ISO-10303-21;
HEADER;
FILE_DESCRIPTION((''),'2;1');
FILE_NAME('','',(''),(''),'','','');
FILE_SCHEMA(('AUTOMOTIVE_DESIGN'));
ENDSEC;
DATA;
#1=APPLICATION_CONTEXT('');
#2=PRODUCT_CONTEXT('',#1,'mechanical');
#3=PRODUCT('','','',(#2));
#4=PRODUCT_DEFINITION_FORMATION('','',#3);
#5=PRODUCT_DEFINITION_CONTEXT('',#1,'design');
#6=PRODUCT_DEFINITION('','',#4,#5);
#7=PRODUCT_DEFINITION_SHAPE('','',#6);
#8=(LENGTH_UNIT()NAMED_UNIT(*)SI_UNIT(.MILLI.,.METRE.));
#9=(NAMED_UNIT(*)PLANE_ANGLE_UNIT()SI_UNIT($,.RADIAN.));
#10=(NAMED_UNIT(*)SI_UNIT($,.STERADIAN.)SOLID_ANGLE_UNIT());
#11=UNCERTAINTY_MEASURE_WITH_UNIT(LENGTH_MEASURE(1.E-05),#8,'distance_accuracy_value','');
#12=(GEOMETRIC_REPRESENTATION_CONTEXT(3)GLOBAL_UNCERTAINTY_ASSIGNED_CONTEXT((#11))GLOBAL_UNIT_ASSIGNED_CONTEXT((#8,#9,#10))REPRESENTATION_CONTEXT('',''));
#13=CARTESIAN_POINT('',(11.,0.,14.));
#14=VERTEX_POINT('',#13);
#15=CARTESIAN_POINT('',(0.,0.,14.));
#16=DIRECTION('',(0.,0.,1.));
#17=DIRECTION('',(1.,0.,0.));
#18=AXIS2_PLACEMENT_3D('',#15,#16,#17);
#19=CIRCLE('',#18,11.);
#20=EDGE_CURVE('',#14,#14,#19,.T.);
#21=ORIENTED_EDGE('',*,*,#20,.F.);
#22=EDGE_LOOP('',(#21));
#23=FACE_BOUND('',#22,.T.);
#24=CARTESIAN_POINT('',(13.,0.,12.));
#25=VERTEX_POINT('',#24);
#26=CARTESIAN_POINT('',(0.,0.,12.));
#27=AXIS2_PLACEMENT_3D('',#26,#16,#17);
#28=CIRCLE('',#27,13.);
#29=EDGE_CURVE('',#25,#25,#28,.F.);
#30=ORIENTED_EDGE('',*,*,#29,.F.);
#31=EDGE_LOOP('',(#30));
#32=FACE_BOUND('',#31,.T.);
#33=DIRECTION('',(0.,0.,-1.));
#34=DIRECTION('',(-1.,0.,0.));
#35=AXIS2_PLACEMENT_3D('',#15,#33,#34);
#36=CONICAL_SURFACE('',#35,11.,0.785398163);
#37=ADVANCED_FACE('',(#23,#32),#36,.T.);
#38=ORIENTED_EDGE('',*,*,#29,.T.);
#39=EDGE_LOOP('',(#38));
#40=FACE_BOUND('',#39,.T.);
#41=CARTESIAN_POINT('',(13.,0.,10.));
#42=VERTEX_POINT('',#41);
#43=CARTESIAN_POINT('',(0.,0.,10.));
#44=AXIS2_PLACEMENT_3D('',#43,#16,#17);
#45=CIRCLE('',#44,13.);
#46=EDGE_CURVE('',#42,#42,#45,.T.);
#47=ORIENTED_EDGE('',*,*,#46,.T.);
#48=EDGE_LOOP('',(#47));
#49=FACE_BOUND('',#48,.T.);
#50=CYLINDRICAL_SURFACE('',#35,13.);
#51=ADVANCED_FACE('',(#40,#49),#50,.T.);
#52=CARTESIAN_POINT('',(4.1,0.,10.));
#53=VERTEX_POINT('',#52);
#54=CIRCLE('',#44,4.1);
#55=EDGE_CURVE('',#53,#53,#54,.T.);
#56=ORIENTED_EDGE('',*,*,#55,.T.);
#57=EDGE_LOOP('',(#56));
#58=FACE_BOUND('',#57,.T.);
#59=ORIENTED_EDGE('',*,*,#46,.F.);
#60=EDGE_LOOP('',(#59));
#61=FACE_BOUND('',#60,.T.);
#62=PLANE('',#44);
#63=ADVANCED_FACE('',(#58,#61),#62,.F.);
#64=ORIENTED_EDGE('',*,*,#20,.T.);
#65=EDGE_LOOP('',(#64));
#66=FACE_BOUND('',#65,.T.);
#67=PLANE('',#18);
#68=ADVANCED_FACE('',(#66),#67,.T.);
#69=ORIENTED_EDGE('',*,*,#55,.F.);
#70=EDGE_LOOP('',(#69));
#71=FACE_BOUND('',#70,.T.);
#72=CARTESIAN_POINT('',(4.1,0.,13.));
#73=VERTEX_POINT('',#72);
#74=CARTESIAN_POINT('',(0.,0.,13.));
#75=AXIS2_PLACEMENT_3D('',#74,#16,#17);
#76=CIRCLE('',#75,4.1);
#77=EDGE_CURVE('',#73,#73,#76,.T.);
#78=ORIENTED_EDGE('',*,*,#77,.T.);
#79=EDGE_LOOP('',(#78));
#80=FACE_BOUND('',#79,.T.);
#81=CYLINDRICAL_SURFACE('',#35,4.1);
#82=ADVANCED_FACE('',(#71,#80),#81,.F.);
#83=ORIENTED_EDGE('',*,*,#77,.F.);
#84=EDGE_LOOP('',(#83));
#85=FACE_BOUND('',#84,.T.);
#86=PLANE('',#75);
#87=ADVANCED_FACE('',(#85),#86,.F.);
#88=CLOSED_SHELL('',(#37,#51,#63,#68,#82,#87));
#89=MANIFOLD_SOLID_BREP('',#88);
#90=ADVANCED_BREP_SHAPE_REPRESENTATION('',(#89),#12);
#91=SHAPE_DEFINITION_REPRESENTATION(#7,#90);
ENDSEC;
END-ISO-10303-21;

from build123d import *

# Parameters (mm, degrees)
SKETCH1_R           = 3.7
BOSS_EXTRUDE1_DEPTH = 10
SKETCH2_R           = 5
BOSS_EXTRUDE2_DEPTH = 2
SKETCH3_R           = 13
SKETCH3_R_2         = 4.1
BOSS_EXTRUDE3_DEPTH = 4
SKETCH4_R           = 21.887313971
CUT_EXTRUDE1_DEPTH  = 23
CHAMFER2_SIZE       = 2
SKETCH5_R           = 5.500381587
BOSS_EXTRUDE4_DEPTH = 1


with BuildPart() as part:
    # Sketch1 → Boss-Extrude1 (new body)
    with BuildSketch(Plane.XY):
        Circle(SKETCH1_R)
    extrude(amount=BOSS_EXTRUDE1_DEPTH)

    # Sketch2 → Boss-Extrude2 (add)
    with BuildSketch(Plane(origin=(0, 0, 0), x_dir=(-1, 0, 0), z_dir=(0, 0, -1))):
        Circle(SKETCH2_R)
    extrude(amount=BOSS_EXTRUDE2_DEPTH)

    # Sketch4 → Cut-Extrude1 (cut)
    with BuildSketch(Plane(origin=(0, 0, 10), x_dir=(-1, 0, 0), z_dir=(0, 0, -1))):
        with Locations((0, 0.481738505)):
            Circle(SKETCH4_R)
    extrude(amount=CUT_EXTRUDE1_DEPTH, mode=Mode.SUBTRACT)


with BuildPart() as body_2:
    # Sketch3 → Boss-Extrude3 (new body)
    with BuildSketch(Plane.XY.offset(10)):
        Circle(SKETCH3_R)
        Circle(SKETCH3_R_2, mode=Mode.SUBTRACT)
    extrude(amount=BOSS_EXTRUDE3_DEPTH)

    # Chamfer2
    chamfer2_edges = [body_2.edges().sort_by_distance(p)[0] for p in [
        (-13, 0, 14),
    ]]
    chamfer(chamfer2_edges, length=CHAMFER2_SIZE)

    # Sketch5 → Boss-Extrude4 (add)
    with BuildSketch(Plane.XY.offset(14)):
        Circle(SKETCH5_R)
    extrude(amount=-BOSS_EXTRUDE4_DEPTH)


solid = body_2.part
